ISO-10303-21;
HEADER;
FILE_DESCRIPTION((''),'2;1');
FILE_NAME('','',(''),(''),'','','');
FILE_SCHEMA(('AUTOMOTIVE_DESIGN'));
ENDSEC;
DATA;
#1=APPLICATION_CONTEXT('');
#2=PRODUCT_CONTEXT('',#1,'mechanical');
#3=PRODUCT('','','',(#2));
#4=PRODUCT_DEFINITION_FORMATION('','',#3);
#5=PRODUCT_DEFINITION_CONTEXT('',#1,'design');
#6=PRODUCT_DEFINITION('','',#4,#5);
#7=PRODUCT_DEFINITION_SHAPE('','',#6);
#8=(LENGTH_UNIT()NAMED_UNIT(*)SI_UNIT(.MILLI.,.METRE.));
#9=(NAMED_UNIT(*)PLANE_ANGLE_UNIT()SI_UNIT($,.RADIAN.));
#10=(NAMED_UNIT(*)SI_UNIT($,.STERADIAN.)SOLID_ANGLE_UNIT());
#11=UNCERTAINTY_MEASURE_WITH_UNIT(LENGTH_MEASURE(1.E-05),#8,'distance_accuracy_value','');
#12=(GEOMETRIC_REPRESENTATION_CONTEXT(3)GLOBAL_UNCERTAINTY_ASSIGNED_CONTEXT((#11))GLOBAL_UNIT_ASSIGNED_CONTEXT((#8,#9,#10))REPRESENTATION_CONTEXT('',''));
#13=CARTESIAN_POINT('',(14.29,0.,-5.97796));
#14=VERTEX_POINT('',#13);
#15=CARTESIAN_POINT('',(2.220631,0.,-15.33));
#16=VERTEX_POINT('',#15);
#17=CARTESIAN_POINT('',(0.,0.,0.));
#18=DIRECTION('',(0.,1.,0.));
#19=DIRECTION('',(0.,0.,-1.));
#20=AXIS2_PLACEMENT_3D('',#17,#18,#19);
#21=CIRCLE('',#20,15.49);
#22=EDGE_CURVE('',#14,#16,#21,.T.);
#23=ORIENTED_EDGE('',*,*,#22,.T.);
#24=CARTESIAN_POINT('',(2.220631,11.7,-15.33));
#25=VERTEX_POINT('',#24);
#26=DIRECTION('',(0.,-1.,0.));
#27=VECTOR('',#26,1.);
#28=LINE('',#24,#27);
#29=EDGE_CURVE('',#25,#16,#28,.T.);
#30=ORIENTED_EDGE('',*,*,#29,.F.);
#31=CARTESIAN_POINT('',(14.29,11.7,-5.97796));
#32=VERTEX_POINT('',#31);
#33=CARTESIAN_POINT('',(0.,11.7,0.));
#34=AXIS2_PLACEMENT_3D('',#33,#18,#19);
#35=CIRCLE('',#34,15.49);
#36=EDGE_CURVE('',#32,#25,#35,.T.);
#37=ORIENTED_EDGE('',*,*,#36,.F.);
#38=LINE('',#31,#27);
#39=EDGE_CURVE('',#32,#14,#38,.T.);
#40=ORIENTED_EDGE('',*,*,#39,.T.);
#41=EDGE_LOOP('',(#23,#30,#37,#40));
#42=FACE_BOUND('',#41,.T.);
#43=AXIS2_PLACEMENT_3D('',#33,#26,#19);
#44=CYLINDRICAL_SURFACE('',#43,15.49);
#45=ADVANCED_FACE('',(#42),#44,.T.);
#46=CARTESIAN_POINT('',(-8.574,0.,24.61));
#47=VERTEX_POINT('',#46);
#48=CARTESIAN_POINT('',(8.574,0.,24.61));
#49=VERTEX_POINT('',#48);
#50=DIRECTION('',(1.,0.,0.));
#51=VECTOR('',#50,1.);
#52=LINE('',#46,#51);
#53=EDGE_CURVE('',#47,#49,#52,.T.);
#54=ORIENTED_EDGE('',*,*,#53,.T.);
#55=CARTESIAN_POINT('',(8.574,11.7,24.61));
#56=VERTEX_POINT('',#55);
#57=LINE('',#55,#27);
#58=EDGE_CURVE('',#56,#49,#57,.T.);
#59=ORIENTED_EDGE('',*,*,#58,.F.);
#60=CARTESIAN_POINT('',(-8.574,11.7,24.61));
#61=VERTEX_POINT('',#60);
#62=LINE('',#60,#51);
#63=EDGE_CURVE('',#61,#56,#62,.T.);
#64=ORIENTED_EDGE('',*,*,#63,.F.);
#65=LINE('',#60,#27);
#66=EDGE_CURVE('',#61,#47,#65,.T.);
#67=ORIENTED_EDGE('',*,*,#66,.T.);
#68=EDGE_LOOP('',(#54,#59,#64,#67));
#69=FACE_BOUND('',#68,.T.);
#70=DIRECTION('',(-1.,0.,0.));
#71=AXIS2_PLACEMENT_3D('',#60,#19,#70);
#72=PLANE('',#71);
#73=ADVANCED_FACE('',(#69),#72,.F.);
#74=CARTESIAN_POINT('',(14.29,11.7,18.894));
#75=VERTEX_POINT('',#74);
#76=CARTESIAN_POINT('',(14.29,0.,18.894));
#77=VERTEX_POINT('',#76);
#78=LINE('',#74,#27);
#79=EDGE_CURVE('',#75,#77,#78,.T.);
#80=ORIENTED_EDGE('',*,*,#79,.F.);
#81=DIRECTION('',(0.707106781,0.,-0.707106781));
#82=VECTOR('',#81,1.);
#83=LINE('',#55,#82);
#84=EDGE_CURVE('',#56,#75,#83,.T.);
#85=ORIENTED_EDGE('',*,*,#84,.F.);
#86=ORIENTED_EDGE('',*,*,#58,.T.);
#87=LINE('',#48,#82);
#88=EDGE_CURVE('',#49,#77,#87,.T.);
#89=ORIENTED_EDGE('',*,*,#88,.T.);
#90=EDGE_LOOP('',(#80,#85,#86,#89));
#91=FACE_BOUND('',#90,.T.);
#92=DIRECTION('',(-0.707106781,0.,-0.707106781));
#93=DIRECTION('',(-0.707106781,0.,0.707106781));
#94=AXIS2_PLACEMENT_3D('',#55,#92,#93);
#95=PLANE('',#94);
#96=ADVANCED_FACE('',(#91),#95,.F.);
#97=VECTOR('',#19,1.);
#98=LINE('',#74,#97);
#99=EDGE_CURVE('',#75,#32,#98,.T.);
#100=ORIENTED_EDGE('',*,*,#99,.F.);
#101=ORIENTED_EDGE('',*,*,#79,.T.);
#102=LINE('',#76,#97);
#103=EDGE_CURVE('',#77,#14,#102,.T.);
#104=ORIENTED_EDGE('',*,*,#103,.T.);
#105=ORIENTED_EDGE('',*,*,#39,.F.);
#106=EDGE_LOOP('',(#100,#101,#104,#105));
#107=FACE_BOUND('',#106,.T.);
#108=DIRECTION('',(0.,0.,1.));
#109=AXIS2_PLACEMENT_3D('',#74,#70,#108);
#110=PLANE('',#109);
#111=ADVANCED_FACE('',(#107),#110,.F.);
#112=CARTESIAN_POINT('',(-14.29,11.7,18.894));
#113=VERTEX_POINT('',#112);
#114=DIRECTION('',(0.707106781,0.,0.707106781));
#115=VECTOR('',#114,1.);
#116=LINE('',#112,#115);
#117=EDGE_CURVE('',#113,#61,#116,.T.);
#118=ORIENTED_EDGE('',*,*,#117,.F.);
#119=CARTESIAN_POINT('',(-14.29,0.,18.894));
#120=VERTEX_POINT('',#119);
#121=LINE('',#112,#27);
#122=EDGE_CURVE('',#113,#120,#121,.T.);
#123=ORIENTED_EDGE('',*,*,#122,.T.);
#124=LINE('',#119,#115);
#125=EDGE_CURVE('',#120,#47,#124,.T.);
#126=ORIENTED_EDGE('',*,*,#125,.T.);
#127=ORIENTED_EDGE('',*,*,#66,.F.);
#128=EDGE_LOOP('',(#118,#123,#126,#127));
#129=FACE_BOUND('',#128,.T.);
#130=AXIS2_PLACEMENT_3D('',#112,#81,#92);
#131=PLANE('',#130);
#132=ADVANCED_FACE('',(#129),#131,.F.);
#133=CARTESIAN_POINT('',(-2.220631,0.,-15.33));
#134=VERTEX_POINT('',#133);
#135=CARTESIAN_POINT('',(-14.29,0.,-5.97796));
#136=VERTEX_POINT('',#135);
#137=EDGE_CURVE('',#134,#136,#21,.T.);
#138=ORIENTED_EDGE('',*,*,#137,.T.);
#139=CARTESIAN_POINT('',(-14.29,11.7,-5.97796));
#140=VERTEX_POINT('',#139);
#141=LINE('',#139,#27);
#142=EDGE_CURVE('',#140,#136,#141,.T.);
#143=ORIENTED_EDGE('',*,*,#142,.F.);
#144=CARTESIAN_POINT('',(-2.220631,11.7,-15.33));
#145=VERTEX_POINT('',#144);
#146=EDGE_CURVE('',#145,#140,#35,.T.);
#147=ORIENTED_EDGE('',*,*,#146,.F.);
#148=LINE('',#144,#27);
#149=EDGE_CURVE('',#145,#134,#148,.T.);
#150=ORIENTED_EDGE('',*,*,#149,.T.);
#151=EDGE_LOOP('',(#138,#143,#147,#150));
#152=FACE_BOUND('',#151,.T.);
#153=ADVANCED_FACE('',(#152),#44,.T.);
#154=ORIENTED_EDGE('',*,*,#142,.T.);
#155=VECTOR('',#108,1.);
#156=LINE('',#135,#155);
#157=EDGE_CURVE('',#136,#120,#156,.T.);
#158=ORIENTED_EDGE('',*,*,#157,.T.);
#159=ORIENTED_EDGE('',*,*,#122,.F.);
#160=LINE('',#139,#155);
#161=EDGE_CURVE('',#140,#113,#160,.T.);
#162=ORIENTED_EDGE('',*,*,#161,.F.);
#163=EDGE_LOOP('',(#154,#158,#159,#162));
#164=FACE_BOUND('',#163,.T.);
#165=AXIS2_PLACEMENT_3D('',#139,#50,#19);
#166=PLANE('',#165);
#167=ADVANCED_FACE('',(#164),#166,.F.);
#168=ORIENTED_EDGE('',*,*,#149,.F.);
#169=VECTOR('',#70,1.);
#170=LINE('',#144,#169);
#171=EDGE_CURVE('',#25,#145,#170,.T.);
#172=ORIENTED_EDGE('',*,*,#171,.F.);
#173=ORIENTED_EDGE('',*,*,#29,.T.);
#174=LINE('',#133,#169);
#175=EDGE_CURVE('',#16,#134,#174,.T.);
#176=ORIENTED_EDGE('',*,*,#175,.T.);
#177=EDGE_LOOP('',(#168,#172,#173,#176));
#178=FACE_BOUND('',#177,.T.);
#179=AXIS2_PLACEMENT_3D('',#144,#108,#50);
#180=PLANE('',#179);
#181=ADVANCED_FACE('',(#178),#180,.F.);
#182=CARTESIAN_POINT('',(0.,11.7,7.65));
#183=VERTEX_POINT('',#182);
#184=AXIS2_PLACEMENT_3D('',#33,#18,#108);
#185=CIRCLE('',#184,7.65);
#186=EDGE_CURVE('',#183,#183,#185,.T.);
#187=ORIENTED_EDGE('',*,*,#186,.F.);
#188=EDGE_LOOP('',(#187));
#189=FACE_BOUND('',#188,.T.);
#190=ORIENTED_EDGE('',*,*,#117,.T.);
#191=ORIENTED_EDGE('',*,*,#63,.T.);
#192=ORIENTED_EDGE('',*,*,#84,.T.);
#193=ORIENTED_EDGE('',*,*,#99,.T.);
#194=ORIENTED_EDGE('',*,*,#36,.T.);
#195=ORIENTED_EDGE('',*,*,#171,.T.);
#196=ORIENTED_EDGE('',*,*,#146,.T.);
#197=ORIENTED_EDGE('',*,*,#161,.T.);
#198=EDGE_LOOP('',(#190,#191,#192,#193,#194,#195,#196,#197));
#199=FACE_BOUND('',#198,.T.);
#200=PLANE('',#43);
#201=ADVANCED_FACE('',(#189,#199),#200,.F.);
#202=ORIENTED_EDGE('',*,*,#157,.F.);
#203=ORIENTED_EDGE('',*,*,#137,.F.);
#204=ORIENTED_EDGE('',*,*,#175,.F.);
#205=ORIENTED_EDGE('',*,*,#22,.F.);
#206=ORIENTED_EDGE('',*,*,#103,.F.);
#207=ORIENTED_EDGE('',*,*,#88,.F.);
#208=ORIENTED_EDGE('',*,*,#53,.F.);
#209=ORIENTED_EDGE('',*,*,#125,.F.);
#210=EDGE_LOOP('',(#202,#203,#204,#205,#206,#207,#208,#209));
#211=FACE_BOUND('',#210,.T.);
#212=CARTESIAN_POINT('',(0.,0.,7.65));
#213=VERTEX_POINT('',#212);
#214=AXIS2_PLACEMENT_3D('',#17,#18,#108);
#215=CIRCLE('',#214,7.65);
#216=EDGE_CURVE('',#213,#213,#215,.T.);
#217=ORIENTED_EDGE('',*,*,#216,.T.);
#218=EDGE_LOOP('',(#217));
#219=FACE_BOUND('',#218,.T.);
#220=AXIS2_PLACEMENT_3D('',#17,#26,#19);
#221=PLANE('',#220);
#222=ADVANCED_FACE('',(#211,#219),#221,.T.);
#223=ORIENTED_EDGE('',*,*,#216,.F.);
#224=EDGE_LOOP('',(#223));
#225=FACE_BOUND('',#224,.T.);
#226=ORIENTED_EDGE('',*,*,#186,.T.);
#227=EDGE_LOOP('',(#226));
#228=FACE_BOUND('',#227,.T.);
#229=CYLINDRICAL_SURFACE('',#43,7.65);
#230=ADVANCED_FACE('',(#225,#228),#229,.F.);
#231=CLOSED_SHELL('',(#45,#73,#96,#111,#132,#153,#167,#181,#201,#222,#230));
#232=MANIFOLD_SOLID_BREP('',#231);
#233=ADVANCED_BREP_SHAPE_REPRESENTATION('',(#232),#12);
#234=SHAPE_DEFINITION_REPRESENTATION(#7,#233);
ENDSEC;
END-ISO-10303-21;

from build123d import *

# Parameters (mm, degrees)
SKETCH1_R           = 7.65
BOSS_EXTRUDE1_DEPTH = 11.7


with BuildPart() as part:
    # Sketch1 → Boss-Extrude1 (new body)
    with BuildSketch(Plane(origin=(0, 0, 0), x_dir=(1, 0, 0), z_dir=(0, 1, 0))):
        with BuildLine():
            Line((-14.29, 5.977959518), (-14.29, -18.894))
            Line((-14.29, -18.894), (-8.574, -24.61))
            Line((-8.574, -24.61), (8.574, -24.61))
            Line((8.574, -24.61), (14.29, -18.894))
            Line((14.29, -18.894), (14.29, 5.977959518))
            ThreePointArc((14.29, 5.977959518), (9.48764436, 12.244374402), (2.220630541, 15.33))
            Line((2.220630541, 15.33), (-2.220630541, 15.33))
            ThreePointArc((-2.220630541, 15.33), (-9.48764436, 12.244374402), (-14.29, 5.977959518))
        make_face()
        with Locations(Location((0, 0, 0), (0, 0, 270))):
            Circle(SKETCH1_R, mode=Mode.SUBTRACT)
    extrude(amount=BOSS_EXTRUDE1_DEPTH)


solid = part.part
